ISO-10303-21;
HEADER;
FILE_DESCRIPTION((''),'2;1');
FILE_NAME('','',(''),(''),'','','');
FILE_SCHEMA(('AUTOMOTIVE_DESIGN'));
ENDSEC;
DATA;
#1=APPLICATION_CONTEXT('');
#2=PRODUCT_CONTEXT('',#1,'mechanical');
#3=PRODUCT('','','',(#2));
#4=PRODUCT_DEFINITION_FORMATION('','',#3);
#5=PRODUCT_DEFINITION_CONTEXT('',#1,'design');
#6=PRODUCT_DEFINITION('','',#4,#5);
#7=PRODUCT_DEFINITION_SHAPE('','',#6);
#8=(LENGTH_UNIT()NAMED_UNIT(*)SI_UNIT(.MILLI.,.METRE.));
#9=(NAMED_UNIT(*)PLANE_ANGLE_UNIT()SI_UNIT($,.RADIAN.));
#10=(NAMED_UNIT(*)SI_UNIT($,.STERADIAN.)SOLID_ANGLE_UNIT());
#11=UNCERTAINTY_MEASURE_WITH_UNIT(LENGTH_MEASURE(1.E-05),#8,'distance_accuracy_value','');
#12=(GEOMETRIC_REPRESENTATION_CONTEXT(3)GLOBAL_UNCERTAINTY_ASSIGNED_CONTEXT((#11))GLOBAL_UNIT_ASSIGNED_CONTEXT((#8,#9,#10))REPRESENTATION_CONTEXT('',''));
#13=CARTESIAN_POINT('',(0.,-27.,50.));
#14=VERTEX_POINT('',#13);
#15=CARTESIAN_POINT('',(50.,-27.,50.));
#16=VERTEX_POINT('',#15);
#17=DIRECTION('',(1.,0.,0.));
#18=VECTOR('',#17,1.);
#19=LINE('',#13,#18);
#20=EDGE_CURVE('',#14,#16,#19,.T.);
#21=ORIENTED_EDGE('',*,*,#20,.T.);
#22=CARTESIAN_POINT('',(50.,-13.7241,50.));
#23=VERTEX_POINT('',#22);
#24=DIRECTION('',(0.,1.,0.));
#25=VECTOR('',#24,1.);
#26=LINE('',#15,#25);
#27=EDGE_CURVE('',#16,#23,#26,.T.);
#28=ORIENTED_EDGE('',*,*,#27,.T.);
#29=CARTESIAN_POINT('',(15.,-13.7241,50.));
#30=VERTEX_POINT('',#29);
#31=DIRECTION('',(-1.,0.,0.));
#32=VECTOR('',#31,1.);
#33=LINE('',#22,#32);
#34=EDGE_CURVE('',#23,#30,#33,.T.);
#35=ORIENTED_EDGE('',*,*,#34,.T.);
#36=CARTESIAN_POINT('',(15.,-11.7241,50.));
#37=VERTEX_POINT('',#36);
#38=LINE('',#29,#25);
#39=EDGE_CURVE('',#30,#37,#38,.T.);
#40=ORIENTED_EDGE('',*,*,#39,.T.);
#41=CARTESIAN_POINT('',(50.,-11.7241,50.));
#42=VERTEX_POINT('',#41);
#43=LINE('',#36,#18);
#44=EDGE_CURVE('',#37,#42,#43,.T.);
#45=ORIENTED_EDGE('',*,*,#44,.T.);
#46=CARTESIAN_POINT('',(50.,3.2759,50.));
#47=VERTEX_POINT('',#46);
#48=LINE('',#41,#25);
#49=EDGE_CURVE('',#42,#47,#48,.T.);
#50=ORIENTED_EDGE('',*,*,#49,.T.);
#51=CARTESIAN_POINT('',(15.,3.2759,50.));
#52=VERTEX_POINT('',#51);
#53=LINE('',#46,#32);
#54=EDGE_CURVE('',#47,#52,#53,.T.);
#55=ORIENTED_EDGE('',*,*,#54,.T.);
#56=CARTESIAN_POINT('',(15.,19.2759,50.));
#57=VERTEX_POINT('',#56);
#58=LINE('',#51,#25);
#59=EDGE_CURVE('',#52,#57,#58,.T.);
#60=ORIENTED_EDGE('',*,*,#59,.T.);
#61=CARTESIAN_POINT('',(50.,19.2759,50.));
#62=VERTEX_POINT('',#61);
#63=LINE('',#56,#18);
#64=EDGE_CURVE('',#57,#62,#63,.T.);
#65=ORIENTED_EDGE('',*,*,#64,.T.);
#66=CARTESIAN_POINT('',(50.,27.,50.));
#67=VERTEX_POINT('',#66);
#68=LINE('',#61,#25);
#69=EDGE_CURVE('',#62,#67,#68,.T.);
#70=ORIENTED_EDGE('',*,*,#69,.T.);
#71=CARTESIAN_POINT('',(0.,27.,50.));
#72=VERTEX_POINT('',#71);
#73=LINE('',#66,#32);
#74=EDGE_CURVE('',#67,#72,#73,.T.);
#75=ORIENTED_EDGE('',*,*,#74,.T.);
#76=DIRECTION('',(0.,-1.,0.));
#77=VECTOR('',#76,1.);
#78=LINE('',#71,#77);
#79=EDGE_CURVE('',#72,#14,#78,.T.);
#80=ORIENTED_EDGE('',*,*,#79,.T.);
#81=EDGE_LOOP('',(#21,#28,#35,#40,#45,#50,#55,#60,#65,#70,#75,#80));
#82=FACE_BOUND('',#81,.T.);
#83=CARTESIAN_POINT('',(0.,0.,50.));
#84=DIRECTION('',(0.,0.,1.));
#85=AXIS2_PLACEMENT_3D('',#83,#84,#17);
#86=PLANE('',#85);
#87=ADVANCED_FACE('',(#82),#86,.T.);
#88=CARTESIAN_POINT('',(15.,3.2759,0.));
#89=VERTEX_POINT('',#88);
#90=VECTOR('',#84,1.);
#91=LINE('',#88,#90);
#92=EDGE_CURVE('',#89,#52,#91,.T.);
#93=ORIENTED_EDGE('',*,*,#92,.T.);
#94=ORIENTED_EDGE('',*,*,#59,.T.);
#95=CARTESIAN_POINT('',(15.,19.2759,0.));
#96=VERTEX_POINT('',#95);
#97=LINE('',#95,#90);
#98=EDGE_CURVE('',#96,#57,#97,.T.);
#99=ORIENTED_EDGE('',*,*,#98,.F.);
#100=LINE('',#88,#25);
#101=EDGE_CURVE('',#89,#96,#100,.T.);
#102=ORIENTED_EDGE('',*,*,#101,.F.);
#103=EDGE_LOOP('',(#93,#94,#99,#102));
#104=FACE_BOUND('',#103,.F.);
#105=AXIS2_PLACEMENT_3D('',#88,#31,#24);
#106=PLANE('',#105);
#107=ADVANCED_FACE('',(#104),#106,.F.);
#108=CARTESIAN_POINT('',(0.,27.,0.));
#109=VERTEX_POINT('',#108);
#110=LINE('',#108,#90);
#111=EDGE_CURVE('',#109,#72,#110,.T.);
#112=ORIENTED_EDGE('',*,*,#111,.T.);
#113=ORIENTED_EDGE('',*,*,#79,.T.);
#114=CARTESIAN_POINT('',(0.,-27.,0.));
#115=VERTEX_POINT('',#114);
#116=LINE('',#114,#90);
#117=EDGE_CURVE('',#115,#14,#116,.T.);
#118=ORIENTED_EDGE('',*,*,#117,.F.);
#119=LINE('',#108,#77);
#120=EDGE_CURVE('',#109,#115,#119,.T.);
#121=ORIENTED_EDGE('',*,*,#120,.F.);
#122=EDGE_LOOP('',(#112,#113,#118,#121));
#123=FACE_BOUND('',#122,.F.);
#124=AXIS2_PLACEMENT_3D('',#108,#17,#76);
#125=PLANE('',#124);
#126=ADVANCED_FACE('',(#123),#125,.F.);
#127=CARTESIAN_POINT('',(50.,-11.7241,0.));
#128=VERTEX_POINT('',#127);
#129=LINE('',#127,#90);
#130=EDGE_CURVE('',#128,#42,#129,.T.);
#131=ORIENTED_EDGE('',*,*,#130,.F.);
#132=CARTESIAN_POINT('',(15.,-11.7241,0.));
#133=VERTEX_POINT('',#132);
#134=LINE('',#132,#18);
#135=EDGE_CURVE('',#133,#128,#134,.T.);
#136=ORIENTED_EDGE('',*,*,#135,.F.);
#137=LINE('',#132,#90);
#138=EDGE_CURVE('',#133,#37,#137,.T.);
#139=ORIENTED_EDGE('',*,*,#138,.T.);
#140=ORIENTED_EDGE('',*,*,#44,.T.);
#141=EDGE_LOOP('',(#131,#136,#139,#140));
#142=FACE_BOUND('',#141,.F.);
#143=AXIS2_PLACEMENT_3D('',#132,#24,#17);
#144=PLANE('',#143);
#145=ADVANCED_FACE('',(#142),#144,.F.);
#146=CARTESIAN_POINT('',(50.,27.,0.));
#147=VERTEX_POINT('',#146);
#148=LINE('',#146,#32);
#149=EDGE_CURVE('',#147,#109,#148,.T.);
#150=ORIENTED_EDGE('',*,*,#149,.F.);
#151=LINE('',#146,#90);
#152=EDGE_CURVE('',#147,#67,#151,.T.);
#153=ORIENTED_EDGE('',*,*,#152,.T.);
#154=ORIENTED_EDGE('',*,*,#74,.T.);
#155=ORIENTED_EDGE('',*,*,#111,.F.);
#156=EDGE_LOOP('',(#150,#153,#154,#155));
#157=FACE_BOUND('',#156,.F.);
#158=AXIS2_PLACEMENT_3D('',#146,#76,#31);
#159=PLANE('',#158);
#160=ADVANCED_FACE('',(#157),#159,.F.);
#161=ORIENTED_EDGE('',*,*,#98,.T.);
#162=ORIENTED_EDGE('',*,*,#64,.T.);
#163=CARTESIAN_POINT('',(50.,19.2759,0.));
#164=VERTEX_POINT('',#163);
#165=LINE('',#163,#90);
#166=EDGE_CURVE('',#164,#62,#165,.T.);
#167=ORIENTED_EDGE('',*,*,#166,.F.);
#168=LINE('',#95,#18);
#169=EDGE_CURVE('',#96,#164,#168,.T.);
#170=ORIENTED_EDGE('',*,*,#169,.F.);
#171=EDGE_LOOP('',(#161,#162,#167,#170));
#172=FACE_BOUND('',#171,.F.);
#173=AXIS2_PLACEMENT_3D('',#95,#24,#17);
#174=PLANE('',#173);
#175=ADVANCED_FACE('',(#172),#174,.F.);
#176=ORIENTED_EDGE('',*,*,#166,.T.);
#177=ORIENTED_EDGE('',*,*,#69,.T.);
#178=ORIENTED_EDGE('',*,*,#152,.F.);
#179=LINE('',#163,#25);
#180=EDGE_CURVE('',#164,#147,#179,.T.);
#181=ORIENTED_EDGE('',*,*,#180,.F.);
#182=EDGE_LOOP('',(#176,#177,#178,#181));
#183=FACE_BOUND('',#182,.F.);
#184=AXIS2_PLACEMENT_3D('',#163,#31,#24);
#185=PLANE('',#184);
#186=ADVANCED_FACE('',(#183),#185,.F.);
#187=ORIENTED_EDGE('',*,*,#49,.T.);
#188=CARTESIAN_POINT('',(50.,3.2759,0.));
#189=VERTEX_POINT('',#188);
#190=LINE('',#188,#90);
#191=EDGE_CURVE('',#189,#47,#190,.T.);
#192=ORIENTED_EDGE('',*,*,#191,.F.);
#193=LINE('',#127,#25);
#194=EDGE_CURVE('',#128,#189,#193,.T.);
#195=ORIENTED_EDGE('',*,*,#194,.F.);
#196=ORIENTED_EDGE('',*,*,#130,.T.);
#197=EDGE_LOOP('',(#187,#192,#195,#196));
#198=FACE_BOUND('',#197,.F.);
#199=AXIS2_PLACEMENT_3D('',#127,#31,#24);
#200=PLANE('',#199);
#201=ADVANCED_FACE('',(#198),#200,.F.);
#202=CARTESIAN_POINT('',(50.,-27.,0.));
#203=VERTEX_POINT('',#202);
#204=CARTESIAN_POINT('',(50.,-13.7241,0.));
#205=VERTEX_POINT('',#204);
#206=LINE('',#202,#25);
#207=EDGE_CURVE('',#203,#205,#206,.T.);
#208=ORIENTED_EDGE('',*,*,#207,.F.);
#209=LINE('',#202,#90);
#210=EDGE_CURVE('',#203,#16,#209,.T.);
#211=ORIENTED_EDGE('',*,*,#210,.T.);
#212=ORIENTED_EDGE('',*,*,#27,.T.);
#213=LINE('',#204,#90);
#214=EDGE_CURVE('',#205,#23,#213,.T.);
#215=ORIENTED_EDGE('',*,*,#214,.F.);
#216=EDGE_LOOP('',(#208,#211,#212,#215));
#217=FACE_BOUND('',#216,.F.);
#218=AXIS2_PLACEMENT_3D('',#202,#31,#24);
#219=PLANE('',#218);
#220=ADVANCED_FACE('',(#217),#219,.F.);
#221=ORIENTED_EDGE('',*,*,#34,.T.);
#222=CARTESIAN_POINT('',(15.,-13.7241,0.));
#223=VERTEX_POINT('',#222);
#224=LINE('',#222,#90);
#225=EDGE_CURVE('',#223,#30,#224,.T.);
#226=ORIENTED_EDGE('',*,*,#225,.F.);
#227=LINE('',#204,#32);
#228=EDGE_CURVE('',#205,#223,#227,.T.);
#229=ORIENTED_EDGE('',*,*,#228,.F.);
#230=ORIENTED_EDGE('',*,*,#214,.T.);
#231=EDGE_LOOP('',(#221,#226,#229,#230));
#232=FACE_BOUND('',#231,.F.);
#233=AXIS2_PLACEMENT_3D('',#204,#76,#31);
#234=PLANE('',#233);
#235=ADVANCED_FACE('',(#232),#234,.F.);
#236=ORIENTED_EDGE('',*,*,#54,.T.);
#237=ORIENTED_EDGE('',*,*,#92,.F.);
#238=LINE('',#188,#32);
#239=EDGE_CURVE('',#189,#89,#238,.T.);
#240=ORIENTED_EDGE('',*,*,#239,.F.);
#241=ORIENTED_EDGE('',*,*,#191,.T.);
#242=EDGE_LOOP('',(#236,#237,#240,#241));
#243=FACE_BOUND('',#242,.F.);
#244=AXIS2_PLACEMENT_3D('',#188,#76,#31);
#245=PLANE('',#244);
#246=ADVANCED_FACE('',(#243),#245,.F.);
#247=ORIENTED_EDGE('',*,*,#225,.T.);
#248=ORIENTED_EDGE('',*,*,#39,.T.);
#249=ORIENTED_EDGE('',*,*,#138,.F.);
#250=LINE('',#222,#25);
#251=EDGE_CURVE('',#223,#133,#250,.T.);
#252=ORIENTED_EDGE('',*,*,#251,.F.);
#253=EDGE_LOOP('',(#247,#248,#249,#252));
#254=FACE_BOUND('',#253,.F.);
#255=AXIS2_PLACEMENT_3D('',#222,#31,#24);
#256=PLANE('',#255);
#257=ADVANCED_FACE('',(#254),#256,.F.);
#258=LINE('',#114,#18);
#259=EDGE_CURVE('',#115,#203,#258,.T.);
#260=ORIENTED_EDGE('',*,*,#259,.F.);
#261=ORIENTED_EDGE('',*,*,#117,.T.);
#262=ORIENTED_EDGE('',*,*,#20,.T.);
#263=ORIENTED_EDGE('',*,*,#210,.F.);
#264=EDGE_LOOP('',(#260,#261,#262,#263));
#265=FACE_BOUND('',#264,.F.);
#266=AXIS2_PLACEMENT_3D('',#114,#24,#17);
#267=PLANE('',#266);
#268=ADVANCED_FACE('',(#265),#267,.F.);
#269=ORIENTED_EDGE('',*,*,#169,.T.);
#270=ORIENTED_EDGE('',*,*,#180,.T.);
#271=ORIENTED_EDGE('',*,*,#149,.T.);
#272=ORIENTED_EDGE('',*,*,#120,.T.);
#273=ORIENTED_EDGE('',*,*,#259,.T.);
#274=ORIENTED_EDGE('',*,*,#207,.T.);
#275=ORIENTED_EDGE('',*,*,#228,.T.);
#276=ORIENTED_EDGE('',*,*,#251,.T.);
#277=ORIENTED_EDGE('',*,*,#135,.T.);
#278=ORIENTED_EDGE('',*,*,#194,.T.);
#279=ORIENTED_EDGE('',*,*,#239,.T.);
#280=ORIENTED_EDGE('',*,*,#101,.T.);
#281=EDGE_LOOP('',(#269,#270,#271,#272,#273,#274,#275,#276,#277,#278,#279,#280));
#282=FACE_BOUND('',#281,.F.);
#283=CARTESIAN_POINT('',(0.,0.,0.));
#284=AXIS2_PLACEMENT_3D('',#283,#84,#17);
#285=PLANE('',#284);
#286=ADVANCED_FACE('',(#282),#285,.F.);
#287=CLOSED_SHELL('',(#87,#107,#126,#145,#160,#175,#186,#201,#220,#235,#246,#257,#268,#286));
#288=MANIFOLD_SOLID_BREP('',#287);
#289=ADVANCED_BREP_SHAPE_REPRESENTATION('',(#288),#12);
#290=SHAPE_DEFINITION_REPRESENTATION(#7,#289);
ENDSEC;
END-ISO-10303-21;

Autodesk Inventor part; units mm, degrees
ref_plane "YZ Plane" through (0, 0, 0) normal (1, 0, 0) x (0, 1, 0)
ref_plane "XZ Plane" through (0, 0, 0) normal (0, 1, 0) x (-1, 0, 0)
ref_plane "XY Plane" through (0, 0, 0) normal (0, 0, 1) x (1, 0, 0)
sketch "Sketch1" plane through (0, 0, 0) normal (0, 0, 1) x (1, 0, 0)
  line L0 (0, 27) -> (0, -27)
  line L1 (0, -27) -> (50, -27)
  line L2 (50, -27) -> (50, -13.7241)
  line L3 (50, -13.7241) -> (15, -13.7241)
  line L4 (15, -13.7241) -> (15, -11.7241)
  line L5 (15, -11.7241) -> (50, -11.7241)
  line L6 (50, -11.7241) -> (50, 3.2759)
  line L7 (50, 3.2759) -> (15, 3.2759)
  line L8 (15, 3.2759) -> (15, 19.2759)
  line L9 (15, 19.2759) -> (50, 19.2759)
  line L10 (50, 19.2759) -> (50, 27)
  line L11 (50, 27) -> (0, 27)
  point P0 (0, 0)
  point P1 (0, 0)
  point P2 (0, 0)
  dimension "d0" = 15
  dimension "d1" = 16
  dimension "d2" = 2
  dimension "d3" = 50
  dimension "d4" = 54
  dimension "d7" = 15
extrude "Extrusion1" add sketch "Sketch1" along normal blind 50
equation "\"d0\" = aluminium_gap_distance"
equation "\"d1\" = acrylic_total_thickness"
equation "\"d2\" = aluminium_thickness"
equation "\"aluminium_gap_distance\" = 15"
equation "\"acrylic_total_thickness\" = 16"
equation "\"aluminium_thickness\" = 2"
properties part number "base"
